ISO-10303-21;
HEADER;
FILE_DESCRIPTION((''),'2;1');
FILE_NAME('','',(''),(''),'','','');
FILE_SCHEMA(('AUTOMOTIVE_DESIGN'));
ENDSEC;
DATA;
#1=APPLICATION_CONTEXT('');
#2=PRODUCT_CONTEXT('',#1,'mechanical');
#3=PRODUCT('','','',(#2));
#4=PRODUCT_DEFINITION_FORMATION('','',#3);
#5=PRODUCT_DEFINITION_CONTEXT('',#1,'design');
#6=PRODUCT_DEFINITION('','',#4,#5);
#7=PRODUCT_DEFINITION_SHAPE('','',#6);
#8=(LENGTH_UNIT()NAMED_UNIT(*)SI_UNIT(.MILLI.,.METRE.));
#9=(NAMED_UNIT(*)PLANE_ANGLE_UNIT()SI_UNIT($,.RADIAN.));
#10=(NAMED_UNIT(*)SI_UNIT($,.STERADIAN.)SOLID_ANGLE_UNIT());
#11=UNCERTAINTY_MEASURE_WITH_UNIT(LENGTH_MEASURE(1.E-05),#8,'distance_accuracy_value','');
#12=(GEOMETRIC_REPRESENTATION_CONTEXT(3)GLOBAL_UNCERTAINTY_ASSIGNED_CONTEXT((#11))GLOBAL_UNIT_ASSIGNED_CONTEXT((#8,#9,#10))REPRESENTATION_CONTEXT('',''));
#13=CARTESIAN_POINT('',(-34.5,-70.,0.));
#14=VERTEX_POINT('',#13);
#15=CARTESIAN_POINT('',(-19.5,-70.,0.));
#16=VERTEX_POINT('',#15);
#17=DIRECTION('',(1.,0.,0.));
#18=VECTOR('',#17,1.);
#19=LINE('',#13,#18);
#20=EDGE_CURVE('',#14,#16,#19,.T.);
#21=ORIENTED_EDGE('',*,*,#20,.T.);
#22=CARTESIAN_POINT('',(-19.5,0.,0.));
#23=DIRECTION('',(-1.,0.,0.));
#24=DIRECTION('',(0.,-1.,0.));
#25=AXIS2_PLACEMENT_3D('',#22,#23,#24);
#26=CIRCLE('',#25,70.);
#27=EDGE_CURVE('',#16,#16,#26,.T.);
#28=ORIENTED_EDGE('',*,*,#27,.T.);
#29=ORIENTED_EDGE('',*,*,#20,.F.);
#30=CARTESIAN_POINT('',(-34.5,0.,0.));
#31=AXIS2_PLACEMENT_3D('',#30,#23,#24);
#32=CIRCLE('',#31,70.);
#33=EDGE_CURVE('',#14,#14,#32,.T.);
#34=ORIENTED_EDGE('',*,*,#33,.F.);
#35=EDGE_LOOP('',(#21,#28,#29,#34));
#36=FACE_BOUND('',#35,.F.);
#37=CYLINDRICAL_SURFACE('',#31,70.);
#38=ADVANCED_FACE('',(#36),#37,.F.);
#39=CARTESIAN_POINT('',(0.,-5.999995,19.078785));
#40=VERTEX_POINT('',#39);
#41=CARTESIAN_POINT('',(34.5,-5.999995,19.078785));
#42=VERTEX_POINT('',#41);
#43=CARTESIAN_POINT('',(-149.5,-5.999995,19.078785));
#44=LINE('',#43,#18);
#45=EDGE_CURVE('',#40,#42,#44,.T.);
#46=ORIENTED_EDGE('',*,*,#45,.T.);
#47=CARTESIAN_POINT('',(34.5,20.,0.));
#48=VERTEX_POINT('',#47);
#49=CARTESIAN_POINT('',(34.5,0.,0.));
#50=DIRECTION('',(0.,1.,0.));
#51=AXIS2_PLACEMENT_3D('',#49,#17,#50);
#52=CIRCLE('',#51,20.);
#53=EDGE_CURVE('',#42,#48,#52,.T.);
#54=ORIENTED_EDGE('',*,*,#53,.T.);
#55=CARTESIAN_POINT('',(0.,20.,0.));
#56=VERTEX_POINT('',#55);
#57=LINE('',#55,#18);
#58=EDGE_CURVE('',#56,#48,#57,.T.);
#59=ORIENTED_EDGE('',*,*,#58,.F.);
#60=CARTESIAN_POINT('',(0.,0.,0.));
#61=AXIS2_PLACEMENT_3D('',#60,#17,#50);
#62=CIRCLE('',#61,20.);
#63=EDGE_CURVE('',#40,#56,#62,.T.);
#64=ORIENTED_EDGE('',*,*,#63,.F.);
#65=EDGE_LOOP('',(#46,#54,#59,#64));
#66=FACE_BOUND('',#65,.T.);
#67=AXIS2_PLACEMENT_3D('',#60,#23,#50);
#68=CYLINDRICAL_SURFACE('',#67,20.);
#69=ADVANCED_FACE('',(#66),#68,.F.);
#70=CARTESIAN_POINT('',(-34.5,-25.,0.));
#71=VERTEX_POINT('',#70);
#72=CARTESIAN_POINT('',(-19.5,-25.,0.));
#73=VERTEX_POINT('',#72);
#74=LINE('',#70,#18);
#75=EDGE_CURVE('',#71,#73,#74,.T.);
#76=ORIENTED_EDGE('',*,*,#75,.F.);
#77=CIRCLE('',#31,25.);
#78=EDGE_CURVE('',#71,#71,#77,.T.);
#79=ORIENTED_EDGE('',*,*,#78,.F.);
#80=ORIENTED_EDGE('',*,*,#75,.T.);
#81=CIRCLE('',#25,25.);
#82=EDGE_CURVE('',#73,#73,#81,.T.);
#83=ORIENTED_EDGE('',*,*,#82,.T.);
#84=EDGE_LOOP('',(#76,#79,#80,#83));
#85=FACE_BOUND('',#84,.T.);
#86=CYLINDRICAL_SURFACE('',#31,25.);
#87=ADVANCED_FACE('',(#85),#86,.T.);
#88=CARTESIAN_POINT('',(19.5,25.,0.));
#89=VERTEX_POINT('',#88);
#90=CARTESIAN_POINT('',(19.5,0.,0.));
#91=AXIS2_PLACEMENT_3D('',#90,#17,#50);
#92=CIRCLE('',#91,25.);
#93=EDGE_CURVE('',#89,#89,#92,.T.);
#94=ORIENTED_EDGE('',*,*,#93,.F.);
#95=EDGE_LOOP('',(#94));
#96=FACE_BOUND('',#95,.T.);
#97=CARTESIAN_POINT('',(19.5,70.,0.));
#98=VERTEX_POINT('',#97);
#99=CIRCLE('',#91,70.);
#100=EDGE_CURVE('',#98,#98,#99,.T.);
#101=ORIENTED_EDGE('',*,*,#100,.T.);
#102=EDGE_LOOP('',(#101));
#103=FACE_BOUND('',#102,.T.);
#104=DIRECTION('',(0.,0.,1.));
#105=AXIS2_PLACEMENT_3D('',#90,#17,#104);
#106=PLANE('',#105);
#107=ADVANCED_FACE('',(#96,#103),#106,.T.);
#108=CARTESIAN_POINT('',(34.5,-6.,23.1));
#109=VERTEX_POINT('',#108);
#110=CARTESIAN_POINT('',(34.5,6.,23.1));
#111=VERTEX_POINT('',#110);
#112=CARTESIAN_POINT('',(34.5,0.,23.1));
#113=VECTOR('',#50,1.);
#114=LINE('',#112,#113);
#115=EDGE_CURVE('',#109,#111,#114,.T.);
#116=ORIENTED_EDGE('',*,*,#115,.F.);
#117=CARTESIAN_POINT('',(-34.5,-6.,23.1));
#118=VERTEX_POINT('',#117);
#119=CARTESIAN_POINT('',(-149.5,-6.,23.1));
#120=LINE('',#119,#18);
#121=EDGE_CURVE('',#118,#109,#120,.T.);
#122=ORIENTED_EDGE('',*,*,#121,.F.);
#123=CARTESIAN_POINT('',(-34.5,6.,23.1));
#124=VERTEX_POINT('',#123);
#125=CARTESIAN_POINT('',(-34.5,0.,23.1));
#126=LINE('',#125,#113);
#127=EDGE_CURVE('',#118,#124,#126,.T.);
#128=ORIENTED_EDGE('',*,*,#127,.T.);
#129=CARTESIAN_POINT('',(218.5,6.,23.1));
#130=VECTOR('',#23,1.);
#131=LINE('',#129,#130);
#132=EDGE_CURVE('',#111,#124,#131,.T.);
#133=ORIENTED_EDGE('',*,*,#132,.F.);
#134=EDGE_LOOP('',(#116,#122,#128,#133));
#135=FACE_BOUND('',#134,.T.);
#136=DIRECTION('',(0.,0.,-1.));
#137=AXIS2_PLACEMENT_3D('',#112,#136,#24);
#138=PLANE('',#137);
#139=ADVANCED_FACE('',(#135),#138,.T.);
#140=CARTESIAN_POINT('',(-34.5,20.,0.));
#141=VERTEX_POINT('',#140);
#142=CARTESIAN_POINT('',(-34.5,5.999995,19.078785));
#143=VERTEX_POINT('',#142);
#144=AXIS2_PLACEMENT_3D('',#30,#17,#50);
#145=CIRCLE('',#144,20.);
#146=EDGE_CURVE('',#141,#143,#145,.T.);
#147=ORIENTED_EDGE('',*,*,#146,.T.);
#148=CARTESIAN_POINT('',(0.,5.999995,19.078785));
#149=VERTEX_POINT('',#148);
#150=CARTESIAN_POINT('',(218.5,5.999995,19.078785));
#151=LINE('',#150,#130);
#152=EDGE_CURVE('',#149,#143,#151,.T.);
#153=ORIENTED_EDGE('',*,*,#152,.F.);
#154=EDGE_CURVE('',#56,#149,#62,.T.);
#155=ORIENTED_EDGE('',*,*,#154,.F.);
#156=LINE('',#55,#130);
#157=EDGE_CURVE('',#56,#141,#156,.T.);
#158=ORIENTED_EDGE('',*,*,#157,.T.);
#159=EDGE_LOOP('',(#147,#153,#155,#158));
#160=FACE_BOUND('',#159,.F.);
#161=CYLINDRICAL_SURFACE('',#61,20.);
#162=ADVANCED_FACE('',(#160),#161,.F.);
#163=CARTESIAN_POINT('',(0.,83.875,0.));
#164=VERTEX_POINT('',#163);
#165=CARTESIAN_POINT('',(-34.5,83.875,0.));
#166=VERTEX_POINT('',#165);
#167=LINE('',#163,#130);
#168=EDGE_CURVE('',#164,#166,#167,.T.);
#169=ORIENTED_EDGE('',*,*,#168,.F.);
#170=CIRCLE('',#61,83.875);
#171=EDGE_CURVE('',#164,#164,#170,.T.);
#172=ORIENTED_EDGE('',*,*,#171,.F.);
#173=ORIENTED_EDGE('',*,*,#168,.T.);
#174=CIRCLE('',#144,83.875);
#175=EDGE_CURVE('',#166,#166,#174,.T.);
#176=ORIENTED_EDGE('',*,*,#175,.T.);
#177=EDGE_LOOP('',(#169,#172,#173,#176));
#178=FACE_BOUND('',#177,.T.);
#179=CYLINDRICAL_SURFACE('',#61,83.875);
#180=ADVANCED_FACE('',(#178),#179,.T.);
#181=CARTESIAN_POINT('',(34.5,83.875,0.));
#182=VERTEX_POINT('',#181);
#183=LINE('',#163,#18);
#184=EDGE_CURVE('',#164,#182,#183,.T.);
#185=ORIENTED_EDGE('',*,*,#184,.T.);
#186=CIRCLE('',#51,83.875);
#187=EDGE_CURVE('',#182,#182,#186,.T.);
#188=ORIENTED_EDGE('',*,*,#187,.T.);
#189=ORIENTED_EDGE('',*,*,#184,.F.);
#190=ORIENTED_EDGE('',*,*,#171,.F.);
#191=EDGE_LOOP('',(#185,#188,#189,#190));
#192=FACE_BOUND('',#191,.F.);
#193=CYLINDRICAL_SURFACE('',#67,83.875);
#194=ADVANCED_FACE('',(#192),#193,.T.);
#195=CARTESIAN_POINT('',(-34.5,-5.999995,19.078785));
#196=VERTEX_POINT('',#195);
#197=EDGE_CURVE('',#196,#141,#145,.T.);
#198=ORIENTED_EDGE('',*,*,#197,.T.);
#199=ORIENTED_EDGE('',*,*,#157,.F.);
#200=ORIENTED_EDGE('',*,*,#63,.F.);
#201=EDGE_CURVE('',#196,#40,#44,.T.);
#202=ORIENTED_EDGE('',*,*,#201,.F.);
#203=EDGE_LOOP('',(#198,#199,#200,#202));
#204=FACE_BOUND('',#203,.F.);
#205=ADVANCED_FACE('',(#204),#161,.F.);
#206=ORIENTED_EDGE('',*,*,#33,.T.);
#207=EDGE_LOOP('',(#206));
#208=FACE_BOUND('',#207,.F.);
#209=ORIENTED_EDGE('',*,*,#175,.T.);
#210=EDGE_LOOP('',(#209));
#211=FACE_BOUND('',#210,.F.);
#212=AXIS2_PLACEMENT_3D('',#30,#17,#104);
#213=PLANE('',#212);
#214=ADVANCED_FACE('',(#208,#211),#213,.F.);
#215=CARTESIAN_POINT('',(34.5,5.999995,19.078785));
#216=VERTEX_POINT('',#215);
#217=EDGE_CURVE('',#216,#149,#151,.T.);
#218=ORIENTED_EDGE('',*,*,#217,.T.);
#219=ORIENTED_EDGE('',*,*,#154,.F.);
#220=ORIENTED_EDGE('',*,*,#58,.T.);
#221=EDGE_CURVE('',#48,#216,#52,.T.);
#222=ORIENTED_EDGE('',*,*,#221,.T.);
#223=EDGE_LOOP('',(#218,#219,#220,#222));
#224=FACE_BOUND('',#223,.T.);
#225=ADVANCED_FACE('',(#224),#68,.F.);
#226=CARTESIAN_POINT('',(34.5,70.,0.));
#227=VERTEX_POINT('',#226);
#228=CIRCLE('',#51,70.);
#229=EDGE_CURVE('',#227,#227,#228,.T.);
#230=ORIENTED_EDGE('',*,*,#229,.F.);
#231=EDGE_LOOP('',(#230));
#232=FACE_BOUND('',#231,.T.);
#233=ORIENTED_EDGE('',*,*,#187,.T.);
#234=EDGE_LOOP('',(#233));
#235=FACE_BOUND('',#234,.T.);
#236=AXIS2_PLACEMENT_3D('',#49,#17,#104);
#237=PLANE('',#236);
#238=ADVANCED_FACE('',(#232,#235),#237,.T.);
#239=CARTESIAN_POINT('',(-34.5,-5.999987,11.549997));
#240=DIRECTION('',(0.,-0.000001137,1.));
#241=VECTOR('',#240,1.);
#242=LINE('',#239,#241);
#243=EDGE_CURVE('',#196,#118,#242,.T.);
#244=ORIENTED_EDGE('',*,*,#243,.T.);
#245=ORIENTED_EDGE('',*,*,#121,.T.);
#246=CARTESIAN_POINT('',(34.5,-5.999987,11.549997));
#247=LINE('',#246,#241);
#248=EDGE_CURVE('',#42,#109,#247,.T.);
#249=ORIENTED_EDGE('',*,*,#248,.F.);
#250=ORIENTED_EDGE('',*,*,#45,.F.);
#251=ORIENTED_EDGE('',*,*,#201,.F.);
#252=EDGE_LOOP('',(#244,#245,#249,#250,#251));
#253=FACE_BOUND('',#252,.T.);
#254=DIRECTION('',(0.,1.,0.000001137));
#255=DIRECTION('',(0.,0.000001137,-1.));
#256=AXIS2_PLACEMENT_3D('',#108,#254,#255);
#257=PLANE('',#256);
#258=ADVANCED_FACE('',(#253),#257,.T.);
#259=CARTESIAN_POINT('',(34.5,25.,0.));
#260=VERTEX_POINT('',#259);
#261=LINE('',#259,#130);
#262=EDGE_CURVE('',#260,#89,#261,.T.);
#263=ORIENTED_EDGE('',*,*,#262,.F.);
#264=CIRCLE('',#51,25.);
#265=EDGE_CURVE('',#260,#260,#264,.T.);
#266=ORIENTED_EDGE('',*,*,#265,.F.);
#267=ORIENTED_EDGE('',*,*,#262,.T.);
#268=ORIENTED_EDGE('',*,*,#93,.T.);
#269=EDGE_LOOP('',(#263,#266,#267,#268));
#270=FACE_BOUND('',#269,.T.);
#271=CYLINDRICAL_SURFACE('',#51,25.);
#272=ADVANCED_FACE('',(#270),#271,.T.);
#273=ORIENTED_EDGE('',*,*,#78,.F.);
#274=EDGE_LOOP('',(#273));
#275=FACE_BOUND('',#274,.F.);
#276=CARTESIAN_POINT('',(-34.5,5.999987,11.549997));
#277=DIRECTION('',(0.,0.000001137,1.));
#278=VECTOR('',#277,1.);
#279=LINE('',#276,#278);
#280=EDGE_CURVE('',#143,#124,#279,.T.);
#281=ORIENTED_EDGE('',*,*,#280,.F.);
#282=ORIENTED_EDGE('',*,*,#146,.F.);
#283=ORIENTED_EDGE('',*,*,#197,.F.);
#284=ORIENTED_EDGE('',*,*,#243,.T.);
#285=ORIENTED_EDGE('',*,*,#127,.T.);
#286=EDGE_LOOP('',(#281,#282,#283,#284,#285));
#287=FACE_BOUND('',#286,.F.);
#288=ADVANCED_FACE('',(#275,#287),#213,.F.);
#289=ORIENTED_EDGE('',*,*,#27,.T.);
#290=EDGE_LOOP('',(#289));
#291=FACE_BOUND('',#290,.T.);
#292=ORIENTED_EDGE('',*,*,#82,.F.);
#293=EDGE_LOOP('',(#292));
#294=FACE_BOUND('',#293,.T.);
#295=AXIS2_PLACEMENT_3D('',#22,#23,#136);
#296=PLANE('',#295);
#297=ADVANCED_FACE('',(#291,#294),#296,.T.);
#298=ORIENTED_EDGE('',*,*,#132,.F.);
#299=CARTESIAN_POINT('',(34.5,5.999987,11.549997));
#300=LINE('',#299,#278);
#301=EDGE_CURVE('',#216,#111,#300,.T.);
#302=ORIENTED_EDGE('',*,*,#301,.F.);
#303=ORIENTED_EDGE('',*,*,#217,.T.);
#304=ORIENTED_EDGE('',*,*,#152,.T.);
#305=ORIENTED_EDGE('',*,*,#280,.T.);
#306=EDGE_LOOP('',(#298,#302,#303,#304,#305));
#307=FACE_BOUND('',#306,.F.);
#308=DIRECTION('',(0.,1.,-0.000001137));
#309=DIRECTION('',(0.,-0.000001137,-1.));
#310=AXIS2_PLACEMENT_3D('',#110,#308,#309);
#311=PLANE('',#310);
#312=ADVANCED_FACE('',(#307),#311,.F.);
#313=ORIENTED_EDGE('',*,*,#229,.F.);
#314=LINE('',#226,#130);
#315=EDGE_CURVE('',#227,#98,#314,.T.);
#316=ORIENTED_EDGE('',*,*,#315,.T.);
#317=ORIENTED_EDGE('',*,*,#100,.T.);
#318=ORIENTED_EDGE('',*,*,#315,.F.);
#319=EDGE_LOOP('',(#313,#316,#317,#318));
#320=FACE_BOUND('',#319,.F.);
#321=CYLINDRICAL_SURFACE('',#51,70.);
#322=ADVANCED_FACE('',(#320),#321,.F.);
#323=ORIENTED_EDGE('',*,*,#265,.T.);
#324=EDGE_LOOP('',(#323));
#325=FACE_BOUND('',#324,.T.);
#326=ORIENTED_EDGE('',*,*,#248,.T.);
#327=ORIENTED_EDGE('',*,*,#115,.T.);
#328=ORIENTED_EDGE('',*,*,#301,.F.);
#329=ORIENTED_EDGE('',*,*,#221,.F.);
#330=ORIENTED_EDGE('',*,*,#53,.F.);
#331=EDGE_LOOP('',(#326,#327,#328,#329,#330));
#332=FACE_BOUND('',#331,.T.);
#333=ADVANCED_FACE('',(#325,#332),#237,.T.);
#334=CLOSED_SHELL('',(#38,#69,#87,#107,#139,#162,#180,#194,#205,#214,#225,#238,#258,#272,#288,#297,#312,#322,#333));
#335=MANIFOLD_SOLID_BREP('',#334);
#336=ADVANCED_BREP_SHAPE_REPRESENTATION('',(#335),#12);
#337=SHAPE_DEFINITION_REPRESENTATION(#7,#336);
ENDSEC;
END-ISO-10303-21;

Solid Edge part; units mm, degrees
sketch "Sketch1" plane through (0, 0, 0) normal (1, 0, 0) x (0, 1, 0)
  circle A0 centre (0, 0) radius 20
  circle A1 centre (0, 0) radius 83.875
extrude "Protrusion1" add sketch "Sketch1" along normal mid plane 69
sketch "Sketch2" plane through (34.5, 0, 0) normal (1, 0, 0) x (0, 1, 0)
  circle A0 centre (0, 0) radius 70
  circle A1 centre (0, 0) radius 25
extrude "VaciadoExtruido_1" cut sketch "Sketch2" against normal blind 15
sketch "Sketch3" plane through (-34.5, 0, 0) normal (-1, 0, 0) x (0, -1, 0)
  circle A0 centre (0, 0) radius 70
  circle A1 centre (0, 0) radius 25
extrude "VaciadoExtruido_2" cut sketch "Sketch3" against normal blind 15
sketch "Sketch4" plane through (34.5, 0, 0) normal (1, 0, 0) x (0, 1, 0)
  line L0 (0, 23.1) -> (-6, 23.1)
  line L1 (-6, 23.1) -> (-6, 19.0788)
  line L2 (6, 23.1) -> (6, 19.0788)
  line L3 (0, 23.1) -> (6, 23.1)
  arc A0 (-6, 19.0788) -> (6, 19.0788) centre (0, 0) cw
extrude "Cutout1" cut sketch "Sketch4" along normal mid plane 368
properties material "Acero"
